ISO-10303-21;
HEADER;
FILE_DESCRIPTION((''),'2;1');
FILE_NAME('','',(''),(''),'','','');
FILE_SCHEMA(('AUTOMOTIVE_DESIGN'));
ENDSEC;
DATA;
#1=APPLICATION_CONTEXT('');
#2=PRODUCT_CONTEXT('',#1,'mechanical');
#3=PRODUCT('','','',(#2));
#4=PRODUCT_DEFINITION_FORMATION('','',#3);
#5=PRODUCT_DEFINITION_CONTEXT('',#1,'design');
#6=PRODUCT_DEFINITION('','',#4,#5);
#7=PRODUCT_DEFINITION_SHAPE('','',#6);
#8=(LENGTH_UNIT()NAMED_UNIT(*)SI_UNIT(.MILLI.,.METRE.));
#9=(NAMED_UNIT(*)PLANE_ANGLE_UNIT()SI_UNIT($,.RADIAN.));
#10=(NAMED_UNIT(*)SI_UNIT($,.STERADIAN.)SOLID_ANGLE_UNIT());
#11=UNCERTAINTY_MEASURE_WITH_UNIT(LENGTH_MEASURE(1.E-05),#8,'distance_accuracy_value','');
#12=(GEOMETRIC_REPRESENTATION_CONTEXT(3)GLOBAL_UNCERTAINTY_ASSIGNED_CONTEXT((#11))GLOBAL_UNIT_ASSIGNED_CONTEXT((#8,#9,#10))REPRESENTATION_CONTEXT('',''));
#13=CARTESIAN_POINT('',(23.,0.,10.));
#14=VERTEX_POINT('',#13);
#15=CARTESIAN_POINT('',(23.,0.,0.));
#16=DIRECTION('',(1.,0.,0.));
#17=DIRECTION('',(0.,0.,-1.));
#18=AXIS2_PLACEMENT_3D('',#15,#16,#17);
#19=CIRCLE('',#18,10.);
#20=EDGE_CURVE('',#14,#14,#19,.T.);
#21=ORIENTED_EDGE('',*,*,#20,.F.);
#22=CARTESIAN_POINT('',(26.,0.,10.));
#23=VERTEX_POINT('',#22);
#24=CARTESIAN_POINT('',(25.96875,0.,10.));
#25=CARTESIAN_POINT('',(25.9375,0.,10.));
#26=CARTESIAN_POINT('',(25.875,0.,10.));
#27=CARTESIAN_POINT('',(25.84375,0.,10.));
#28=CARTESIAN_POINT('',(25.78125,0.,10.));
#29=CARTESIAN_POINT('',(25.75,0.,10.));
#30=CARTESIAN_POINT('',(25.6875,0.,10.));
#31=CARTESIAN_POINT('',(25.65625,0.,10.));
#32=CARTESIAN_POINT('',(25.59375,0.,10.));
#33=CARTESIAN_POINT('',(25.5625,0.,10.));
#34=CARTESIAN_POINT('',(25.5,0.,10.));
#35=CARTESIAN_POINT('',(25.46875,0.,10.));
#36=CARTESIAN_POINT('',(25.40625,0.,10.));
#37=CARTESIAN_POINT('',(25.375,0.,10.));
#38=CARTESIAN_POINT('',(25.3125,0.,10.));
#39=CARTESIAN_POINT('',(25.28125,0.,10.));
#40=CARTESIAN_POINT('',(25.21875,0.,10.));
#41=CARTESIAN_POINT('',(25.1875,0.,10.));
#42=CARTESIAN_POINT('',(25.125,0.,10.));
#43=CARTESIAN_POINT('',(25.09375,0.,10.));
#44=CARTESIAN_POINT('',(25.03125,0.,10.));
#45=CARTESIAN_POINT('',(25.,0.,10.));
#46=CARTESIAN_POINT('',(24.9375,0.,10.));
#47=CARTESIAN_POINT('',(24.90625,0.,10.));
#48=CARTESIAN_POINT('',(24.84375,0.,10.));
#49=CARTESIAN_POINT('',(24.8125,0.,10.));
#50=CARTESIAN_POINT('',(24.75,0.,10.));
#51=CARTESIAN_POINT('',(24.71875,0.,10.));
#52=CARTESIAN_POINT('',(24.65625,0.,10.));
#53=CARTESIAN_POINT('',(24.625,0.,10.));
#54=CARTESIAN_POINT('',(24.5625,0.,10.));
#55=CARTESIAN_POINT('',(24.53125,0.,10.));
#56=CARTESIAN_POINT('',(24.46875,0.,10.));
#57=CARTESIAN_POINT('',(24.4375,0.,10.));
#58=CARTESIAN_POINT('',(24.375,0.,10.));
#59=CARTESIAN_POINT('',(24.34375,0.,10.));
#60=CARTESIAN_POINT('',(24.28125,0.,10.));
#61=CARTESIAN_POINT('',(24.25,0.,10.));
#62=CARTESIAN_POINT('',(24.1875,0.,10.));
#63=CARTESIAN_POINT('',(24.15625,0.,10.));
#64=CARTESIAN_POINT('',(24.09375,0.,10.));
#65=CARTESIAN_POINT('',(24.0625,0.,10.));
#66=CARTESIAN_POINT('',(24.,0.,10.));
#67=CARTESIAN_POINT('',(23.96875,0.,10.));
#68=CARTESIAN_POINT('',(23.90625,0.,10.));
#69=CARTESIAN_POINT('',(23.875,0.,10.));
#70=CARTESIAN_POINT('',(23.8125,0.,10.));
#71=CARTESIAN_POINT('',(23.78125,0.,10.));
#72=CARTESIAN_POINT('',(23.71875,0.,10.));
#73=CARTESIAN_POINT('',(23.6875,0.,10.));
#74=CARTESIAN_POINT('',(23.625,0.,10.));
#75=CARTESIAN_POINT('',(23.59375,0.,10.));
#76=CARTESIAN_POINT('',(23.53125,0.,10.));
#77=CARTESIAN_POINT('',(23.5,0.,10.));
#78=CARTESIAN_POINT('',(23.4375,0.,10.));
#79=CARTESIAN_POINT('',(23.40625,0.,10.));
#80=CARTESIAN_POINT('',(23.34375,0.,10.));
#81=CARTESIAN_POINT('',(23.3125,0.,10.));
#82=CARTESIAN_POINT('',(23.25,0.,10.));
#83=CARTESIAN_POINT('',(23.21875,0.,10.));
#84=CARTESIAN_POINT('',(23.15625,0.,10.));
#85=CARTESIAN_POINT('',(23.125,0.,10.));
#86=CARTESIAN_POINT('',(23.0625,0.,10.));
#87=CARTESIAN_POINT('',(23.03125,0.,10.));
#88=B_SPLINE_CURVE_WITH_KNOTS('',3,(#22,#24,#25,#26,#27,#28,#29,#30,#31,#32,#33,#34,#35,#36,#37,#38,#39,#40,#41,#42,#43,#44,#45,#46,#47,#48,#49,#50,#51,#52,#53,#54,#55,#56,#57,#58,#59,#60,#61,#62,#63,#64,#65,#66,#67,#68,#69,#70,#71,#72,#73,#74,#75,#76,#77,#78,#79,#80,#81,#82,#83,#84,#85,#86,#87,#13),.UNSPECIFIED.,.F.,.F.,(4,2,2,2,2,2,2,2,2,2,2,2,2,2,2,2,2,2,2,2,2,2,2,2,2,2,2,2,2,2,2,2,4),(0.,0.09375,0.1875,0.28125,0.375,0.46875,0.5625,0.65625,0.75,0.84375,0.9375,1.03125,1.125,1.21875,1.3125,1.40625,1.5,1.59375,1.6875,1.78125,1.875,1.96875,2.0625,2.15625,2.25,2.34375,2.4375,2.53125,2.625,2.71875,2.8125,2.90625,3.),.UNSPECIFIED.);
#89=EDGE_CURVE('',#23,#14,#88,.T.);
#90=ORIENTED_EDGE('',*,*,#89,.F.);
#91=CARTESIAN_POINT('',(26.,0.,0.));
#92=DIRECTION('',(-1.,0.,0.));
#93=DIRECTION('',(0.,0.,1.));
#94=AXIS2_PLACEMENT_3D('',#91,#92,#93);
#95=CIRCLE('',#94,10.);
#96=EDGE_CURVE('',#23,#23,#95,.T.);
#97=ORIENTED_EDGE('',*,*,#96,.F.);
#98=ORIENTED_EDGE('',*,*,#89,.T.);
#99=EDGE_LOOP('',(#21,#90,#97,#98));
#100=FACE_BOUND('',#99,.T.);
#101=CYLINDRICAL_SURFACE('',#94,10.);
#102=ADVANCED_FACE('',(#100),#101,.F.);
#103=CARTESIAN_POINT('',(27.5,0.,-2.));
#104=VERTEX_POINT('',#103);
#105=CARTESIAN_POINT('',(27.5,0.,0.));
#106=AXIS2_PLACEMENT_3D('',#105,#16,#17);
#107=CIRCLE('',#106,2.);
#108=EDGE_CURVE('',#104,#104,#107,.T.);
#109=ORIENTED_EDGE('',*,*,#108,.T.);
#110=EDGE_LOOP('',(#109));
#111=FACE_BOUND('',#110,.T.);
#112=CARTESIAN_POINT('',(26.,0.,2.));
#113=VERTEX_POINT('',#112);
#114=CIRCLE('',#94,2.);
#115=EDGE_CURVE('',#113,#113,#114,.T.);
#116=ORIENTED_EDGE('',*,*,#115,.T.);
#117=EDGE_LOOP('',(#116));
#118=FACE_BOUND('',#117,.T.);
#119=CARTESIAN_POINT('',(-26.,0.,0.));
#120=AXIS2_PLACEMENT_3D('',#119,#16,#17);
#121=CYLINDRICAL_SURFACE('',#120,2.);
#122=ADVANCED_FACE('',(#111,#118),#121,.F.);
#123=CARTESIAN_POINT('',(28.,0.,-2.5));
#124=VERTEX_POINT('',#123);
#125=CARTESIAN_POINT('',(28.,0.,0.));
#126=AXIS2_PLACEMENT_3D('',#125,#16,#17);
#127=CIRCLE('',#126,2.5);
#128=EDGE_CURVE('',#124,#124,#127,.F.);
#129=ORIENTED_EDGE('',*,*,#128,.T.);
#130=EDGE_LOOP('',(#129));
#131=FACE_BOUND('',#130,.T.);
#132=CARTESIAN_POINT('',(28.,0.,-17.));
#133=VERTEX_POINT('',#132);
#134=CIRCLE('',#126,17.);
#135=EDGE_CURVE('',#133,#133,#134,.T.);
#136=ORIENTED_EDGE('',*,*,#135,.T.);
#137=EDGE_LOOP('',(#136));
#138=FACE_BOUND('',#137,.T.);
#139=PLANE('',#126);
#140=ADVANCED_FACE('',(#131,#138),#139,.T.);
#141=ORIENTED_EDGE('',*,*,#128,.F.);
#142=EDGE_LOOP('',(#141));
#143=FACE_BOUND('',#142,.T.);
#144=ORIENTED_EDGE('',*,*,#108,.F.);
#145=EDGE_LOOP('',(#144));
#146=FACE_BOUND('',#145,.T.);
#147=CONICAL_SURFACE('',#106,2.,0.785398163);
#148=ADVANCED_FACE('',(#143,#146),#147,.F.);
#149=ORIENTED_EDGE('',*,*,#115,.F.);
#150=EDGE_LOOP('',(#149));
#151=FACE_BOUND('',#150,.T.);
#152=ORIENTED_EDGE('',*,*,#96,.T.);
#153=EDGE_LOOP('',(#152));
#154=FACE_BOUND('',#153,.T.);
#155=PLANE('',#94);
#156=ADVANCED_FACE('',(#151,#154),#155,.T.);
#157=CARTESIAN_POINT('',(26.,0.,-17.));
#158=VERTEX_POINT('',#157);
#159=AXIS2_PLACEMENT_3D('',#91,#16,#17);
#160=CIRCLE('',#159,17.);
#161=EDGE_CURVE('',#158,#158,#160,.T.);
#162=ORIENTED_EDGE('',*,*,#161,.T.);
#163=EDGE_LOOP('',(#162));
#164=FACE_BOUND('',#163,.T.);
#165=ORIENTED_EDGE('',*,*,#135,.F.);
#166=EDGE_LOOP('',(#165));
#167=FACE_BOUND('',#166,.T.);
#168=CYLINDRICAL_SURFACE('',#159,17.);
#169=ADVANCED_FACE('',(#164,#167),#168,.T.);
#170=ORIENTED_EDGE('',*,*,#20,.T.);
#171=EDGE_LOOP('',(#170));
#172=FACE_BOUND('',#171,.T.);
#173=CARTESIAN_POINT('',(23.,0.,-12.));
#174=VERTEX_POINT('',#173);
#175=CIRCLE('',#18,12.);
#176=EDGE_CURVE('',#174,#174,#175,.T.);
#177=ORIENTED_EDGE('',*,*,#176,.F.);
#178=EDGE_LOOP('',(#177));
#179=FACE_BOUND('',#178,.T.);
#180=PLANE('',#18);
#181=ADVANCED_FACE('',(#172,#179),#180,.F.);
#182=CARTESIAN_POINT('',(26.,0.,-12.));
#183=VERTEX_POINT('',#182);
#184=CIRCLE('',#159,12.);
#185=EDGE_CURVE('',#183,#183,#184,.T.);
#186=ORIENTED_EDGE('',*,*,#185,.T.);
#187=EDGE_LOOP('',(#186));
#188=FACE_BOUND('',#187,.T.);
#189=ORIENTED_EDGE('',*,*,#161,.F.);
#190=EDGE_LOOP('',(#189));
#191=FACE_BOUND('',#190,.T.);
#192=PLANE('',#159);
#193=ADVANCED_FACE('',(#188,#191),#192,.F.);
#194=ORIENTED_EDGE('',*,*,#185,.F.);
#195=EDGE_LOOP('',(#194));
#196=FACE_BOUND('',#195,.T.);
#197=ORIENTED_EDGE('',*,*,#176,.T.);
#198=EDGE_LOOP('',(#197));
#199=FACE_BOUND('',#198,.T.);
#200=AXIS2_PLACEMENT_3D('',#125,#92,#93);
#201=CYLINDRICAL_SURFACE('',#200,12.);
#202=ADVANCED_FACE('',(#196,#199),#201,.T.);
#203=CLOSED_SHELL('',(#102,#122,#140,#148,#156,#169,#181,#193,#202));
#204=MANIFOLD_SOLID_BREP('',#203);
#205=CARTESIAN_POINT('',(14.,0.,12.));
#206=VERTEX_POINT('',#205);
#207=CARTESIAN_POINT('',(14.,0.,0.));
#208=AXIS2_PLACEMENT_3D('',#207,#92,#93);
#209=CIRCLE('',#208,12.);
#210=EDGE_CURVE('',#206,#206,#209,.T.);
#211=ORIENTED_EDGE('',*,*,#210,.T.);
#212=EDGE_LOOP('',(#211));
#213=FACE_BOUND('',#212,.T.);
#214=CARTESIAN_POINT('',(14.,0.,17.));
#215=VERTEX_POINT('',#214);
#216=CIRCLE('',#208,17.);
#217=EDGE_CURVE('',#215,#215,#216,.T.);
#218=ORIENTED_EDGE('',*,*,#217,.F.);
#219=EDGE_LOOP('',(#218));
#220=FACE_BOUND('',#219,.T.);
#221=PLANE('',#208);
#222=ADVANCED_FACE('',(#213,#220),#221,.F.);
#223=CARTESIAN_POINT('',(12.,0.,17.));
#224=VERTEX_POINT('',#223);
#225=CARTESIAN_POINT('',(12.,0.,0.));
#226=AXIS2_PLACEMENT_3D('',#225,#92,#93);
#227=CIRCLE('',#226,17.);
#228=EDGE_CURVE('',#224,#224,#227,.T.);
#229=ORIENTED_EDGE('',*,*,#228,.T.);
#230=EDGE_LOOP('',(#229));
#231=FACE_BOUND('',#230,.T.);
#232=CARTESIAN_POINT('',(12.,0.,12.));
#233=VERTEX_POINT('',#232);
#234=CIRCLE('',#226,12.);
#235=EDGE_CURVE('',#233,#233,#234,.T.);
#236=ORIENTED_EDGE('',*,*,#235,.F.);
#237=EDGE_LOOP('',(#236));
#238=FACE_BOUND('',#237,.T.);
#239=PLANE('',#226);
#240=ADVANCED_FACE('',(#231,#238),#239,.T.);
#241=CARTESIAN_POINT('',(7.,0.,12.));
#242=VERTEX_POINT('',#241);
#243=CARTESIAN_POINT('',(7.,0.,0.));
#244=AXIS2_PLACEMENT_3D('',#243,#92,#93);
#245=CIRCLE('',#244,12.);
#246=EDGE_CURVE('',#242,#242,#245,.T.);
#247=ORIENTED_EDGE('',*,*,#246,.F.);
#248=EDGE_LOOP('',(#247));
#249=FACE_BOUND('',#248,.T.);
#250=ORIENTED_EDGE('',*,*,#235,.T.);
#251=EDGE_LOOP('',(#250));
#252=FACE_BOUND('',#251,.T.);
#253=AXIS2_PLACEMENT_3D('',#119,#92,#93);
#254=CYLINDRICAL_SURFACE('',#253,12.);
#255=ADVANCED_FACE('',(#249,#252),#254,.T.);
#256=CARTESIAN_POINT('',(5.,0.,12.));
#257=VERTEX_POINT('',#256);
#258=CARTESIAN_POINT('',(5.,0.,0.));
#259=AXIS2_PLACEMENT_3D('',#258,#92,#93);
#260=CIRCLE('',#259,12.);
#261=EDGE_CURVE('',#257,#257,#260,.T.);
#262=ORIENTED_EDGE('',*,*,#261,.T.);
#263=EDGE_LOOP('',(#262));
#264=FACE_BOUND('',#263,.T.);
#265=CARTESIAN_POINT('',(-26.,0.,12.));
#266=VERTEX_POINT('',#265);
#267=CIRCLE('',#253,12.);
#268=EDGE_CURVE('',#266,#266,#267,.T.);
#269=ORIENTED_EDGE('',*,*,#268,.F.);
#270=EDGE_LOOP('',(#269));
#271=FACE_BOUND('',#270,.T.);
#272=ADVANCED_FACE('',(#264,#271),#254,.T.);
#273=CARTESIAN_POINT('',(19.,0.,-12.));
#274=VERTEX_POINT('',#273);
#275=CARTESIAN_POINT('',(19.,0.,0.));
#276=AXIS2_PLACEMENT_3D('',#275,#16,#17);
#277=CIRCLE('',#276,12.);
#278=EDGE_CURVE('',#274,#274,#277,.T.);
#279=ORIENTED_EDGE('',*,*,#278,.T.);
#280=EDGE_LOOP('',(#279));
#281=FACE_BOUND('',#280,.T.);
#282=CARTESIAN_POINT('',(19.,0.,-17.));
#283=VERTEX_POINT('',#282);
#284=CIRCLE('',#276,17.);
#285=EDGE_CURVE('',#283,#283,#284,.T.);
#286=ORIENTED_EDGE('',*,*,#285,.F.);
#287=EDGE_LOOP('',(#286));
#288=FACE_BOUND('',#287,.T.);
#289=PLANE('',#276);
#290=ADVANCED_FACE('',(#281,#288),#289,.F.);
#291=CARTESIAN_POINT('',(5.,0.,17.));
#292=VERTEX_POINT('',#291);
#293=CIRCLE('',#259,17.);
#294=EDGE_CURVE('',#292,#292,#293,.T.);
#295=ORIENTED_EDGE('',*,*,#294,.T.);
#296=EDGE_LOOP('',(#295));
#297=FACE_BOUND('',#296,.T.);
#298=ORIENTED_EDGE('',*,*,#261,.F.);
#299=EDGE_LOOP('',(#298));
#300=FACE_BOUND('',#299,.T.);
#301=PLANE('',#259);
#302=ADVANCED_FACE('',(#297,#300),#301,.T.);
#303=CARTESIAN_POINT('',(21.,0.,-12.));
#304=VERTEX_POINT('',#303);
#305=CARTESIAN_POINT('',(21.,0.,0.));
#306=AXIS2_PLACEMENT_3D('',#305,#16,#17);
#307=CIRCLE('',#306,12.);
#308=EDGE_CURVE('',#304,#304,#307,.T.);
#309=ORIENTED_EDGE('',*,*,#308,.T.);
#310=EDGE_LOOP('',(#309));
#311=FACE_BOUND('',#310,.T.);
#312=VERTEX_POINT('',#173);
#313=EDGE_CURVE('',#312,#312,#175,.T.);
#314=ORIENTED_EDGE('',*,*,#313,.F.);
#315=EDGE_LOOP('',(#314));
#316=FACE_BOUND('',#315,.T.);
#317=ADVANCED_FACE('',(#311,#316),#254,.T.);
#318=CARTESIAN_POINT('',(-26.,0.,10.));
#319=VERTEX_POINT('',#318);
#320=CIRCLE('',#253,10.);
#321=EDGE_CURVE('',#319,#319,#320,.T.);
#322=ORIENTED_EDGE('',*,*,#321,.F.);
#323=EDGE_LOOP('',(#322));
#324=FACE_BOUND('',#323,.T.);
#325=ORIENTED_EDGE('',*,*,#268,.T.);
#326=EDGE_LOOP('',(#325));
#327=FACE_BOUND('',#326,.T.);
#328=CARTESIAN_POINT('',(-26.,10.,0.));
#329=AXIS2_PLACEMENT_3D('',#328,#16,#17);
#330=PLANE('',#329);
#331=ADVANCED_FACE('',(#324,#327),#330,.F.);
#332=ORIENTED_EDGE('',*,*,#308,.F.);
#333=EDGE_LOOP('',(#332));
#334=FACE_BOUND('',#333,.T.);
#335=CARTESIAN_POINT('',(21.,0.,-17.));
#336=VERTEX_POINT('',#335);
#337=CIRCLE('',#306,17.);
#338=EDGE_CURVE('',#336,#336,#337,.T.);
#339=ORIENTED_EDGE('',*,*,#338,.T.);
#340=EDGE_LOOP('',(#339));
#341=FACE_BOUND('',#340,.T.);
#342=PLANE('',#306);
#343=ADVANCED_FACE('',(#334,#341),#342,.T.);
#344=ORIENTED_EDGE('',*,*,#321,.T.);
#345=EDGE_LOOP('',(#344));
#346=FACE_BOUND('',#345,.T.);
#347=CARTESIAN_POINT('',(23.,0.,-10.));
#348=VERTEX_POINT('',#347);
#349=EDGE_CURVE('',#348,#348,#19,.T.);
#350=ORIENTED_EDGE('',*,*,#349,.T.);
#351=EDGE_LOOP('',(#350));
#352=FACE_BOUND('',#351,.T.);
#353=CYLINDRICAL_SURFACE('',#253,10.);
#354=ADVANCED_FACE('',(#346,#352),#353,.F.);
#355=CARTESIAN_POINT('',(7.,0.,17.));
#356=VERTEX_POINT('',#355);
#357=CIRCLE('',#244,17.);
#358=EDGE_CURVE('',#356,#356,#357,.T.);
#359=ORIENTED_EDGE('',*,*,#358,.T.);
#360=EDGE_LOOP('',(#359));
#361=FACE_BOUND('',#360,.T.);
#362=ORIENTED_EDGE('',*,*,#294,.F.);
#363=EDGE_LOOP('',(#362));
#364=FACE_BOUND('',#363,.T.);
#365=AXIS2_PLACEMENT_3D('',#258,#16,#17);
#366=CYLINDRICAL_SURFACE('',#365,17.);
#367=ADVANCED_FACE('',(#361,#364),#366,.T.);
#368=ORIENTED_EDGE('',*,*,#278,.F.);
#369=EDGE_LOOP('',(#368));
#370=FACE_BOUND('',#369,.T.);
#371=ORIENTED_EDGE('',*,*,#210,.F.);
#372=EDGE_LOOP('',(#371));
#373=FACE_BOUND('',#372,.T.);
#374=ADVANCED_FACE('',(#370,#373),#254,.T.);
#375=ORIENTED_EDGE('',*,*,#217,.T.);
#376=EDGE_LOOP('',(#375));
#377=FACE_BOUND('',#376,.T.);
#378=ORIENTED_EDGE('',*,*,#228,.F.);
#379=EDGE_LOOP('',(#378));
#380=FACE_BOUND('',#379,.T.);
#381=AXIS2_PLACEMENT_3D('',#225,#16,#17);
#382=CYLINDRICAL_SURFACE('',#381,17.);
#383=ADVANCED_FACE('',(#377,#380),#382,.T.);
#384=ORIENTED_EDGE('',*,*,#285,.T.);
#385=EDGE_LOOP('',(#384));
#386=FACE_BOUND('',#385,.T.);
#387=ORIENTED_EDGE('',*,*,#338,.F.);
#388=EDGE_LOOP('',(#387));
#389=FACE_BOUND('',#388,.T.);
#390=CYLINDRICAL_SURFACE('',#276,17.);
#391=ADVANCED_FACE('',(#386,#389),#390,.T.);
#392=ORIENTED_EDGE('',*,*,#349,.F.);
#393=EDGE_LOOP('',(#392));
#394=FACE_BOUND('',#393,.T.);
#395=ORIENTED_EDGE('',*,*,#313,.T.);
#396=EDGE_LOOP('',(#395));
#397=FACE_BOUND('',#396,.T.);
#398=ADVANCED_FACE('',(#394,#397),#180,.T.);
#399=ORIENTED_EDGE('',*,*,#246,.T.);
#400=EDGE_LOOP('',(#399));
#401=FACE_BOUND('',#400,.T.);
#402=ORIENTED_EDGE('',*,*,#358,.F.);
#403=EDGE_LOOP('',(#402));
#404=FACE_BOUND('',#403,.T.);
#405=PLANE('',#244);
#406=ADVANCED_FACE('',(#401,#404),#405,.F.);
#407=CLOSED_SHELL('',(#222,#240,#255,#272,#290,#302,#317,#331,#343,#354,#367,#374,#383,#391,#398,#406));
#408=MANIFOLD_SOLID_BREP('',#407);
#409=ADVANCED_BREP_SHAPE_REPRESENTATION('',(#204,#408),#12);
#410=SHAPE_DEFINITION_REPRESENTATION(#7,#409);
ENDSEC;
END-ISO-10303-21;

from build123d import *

# Parameters (mm, degrees)
SKETCH_1_W          = 46
SKETCH_1_H          = 2
SKETCH_8_R          = 12
SKETCH_8_R_2        = 10
EXTRUDE_3_DEPTH     = 3
SKETCH_9_R          = 12
EXTRUDE_5_DEPTH     = 5
SKETCH_11_R         = 10
CUT_EXTRUDE_7_DEPTH = 52
SKETCH_12_R         = 2
CUT_EXTRUDE_8_DEPTH = 57.603886792
CHAMFER_1_SIZE      = 0.5
EXTRUDE_START       = -2
SKETCH_14_R         = 17
SKETCH_14_R_2       = 12
EXTRUDE_6_DEPTH     = 2
EXTRUDE_START_2     = -9
SKETCH_15_R         = 17
SKETCH_15_R_2       = 12
EXTRUDE_7_DEPTH     = 2
EXTRUDE_START_3     = 7
SKETCH_20_R         = 17
SKETCH_20_R_2       = 12
EXTRUDE_11_DEPTH    = 2
SKETCH_21_R         = 17
SKETCH_21_R_2       = 10
EXTRUDE_12_DEPTH    = 2


with BuildPart() as part:
    # 草图1 → 旋转1 (revolve)
    with BuildSketch(Plane.XY):
        with Locations((-3, 11)):
            Rectangle(SKETCH_1_W, SKETCH_1_H)
    revolve(axis=Axis((-26, 0, 0), (1, 0, 0)))

    # 草图8 → 凸台-拉伸3 (add)
    with BuildSketch(Plane(origin=(20, 0, 0), x_dir=(0, 0, -1), z_dir=(1, 0, 0))):
        Circle(SKETCH_8_R)
        Circle(SKETCH_8_R_2, mode=Mode.SUBTRACT)
    extrude(amount=EXTRUDE_3_DEPTH)

    # 草图15 → 凸台-拉伸7 (add)
    with BuildSketch(Plane(origin=(28, 0, 0), x_dir=(0, 0, -1), z_dir=(1, 0, 0)).offset(EXTRUDE_START_2)):
        Circle(SKETCH_15_R)
        Circle(SKETCH_15_R_2, mode=Mode.SUBTRACT)
    extrude(amount=EXTRUDE_7_DEPTH)

    # 草图20 → 凸台-拉伸11 (add)
    with BuildSketch(Plane.ZY.offset(-19).offset(EXTRUDE_START_3)):
        Circle(SKETCH_20_R)
        Circle(SKETCH_20_R_2, mode=Mode.SUBTRACT)
    extrude(amount=-EXTRUDE_11_DEPTH)

    # 草图21 → 凸台-拉伸12 (add)
    with BuildSketch(Plane.ZY.offset(-12).offset(EXTRUDE_START_3)):
        Circle(SKETCH_21_R)
        Circle(SKETCH_21_R_2, mode=Mode.SUBTRACT)
    extrude(amount=-EXTRUDE_12_DEPTH)


with BuildPart() as body_2:
    # 草图9 → 凸台-拉伸5 (new body)
    with BuildSketch(Plane(origin=(23, 0, 0), x_dir=(0, 0, -1), z_dir=(1, 0, 0))):
        Circle(SKETCH_9_R)
    extrude(amount=EXTRUDE_5_DEPTH)

    # 草图11 → 切除-拉伸7 (cut)
    with BuildSketch(Plane.ZY.offset(26)):
        Circle(SKETCH_11_R)
    extrude(amount=-CUT_EXTRUDE_7_DEPTH, mode=Mode.SUBTRACT)

    # 草图12 → 切除-拉伸8 (cut, through all)
    with BuildSketch(Plane(origin=(28, 0, 0), x_dir=(0, 0, -1), z_dir=(1, 0, 0))):
        Circle(SKETCH_12_R)
    extrude(amount=-CUT_EXTRUDE_8_DEPTH, mode=Mode.SUBTRACT)

    # 倒角1
    chamfer_1_edges = [body_2.edges().sort_by_distance(p)[0] for p in [
        (28, 0, 2),
    ]]
    chamfer(chamfer_1_edges, length=CHAMFER_1_SIZE)

    # 草图14 → 凸台-拉伸6 (add)
    with BuildSketch(Plane(origin=(28, 0, 0), x_dir=(0, 0, -1), z_dir=(1, 0, 0)).offset(EXTRUDE_START)):
        Circle(SKETCH_14_R)
        Circle(SKETCH_14_R_2, mode=Mode.SUBTRACT)
    extrude(amount=EXTRUDE_6_DEPTH)


solid = Compound([part.part, body_2.part])
